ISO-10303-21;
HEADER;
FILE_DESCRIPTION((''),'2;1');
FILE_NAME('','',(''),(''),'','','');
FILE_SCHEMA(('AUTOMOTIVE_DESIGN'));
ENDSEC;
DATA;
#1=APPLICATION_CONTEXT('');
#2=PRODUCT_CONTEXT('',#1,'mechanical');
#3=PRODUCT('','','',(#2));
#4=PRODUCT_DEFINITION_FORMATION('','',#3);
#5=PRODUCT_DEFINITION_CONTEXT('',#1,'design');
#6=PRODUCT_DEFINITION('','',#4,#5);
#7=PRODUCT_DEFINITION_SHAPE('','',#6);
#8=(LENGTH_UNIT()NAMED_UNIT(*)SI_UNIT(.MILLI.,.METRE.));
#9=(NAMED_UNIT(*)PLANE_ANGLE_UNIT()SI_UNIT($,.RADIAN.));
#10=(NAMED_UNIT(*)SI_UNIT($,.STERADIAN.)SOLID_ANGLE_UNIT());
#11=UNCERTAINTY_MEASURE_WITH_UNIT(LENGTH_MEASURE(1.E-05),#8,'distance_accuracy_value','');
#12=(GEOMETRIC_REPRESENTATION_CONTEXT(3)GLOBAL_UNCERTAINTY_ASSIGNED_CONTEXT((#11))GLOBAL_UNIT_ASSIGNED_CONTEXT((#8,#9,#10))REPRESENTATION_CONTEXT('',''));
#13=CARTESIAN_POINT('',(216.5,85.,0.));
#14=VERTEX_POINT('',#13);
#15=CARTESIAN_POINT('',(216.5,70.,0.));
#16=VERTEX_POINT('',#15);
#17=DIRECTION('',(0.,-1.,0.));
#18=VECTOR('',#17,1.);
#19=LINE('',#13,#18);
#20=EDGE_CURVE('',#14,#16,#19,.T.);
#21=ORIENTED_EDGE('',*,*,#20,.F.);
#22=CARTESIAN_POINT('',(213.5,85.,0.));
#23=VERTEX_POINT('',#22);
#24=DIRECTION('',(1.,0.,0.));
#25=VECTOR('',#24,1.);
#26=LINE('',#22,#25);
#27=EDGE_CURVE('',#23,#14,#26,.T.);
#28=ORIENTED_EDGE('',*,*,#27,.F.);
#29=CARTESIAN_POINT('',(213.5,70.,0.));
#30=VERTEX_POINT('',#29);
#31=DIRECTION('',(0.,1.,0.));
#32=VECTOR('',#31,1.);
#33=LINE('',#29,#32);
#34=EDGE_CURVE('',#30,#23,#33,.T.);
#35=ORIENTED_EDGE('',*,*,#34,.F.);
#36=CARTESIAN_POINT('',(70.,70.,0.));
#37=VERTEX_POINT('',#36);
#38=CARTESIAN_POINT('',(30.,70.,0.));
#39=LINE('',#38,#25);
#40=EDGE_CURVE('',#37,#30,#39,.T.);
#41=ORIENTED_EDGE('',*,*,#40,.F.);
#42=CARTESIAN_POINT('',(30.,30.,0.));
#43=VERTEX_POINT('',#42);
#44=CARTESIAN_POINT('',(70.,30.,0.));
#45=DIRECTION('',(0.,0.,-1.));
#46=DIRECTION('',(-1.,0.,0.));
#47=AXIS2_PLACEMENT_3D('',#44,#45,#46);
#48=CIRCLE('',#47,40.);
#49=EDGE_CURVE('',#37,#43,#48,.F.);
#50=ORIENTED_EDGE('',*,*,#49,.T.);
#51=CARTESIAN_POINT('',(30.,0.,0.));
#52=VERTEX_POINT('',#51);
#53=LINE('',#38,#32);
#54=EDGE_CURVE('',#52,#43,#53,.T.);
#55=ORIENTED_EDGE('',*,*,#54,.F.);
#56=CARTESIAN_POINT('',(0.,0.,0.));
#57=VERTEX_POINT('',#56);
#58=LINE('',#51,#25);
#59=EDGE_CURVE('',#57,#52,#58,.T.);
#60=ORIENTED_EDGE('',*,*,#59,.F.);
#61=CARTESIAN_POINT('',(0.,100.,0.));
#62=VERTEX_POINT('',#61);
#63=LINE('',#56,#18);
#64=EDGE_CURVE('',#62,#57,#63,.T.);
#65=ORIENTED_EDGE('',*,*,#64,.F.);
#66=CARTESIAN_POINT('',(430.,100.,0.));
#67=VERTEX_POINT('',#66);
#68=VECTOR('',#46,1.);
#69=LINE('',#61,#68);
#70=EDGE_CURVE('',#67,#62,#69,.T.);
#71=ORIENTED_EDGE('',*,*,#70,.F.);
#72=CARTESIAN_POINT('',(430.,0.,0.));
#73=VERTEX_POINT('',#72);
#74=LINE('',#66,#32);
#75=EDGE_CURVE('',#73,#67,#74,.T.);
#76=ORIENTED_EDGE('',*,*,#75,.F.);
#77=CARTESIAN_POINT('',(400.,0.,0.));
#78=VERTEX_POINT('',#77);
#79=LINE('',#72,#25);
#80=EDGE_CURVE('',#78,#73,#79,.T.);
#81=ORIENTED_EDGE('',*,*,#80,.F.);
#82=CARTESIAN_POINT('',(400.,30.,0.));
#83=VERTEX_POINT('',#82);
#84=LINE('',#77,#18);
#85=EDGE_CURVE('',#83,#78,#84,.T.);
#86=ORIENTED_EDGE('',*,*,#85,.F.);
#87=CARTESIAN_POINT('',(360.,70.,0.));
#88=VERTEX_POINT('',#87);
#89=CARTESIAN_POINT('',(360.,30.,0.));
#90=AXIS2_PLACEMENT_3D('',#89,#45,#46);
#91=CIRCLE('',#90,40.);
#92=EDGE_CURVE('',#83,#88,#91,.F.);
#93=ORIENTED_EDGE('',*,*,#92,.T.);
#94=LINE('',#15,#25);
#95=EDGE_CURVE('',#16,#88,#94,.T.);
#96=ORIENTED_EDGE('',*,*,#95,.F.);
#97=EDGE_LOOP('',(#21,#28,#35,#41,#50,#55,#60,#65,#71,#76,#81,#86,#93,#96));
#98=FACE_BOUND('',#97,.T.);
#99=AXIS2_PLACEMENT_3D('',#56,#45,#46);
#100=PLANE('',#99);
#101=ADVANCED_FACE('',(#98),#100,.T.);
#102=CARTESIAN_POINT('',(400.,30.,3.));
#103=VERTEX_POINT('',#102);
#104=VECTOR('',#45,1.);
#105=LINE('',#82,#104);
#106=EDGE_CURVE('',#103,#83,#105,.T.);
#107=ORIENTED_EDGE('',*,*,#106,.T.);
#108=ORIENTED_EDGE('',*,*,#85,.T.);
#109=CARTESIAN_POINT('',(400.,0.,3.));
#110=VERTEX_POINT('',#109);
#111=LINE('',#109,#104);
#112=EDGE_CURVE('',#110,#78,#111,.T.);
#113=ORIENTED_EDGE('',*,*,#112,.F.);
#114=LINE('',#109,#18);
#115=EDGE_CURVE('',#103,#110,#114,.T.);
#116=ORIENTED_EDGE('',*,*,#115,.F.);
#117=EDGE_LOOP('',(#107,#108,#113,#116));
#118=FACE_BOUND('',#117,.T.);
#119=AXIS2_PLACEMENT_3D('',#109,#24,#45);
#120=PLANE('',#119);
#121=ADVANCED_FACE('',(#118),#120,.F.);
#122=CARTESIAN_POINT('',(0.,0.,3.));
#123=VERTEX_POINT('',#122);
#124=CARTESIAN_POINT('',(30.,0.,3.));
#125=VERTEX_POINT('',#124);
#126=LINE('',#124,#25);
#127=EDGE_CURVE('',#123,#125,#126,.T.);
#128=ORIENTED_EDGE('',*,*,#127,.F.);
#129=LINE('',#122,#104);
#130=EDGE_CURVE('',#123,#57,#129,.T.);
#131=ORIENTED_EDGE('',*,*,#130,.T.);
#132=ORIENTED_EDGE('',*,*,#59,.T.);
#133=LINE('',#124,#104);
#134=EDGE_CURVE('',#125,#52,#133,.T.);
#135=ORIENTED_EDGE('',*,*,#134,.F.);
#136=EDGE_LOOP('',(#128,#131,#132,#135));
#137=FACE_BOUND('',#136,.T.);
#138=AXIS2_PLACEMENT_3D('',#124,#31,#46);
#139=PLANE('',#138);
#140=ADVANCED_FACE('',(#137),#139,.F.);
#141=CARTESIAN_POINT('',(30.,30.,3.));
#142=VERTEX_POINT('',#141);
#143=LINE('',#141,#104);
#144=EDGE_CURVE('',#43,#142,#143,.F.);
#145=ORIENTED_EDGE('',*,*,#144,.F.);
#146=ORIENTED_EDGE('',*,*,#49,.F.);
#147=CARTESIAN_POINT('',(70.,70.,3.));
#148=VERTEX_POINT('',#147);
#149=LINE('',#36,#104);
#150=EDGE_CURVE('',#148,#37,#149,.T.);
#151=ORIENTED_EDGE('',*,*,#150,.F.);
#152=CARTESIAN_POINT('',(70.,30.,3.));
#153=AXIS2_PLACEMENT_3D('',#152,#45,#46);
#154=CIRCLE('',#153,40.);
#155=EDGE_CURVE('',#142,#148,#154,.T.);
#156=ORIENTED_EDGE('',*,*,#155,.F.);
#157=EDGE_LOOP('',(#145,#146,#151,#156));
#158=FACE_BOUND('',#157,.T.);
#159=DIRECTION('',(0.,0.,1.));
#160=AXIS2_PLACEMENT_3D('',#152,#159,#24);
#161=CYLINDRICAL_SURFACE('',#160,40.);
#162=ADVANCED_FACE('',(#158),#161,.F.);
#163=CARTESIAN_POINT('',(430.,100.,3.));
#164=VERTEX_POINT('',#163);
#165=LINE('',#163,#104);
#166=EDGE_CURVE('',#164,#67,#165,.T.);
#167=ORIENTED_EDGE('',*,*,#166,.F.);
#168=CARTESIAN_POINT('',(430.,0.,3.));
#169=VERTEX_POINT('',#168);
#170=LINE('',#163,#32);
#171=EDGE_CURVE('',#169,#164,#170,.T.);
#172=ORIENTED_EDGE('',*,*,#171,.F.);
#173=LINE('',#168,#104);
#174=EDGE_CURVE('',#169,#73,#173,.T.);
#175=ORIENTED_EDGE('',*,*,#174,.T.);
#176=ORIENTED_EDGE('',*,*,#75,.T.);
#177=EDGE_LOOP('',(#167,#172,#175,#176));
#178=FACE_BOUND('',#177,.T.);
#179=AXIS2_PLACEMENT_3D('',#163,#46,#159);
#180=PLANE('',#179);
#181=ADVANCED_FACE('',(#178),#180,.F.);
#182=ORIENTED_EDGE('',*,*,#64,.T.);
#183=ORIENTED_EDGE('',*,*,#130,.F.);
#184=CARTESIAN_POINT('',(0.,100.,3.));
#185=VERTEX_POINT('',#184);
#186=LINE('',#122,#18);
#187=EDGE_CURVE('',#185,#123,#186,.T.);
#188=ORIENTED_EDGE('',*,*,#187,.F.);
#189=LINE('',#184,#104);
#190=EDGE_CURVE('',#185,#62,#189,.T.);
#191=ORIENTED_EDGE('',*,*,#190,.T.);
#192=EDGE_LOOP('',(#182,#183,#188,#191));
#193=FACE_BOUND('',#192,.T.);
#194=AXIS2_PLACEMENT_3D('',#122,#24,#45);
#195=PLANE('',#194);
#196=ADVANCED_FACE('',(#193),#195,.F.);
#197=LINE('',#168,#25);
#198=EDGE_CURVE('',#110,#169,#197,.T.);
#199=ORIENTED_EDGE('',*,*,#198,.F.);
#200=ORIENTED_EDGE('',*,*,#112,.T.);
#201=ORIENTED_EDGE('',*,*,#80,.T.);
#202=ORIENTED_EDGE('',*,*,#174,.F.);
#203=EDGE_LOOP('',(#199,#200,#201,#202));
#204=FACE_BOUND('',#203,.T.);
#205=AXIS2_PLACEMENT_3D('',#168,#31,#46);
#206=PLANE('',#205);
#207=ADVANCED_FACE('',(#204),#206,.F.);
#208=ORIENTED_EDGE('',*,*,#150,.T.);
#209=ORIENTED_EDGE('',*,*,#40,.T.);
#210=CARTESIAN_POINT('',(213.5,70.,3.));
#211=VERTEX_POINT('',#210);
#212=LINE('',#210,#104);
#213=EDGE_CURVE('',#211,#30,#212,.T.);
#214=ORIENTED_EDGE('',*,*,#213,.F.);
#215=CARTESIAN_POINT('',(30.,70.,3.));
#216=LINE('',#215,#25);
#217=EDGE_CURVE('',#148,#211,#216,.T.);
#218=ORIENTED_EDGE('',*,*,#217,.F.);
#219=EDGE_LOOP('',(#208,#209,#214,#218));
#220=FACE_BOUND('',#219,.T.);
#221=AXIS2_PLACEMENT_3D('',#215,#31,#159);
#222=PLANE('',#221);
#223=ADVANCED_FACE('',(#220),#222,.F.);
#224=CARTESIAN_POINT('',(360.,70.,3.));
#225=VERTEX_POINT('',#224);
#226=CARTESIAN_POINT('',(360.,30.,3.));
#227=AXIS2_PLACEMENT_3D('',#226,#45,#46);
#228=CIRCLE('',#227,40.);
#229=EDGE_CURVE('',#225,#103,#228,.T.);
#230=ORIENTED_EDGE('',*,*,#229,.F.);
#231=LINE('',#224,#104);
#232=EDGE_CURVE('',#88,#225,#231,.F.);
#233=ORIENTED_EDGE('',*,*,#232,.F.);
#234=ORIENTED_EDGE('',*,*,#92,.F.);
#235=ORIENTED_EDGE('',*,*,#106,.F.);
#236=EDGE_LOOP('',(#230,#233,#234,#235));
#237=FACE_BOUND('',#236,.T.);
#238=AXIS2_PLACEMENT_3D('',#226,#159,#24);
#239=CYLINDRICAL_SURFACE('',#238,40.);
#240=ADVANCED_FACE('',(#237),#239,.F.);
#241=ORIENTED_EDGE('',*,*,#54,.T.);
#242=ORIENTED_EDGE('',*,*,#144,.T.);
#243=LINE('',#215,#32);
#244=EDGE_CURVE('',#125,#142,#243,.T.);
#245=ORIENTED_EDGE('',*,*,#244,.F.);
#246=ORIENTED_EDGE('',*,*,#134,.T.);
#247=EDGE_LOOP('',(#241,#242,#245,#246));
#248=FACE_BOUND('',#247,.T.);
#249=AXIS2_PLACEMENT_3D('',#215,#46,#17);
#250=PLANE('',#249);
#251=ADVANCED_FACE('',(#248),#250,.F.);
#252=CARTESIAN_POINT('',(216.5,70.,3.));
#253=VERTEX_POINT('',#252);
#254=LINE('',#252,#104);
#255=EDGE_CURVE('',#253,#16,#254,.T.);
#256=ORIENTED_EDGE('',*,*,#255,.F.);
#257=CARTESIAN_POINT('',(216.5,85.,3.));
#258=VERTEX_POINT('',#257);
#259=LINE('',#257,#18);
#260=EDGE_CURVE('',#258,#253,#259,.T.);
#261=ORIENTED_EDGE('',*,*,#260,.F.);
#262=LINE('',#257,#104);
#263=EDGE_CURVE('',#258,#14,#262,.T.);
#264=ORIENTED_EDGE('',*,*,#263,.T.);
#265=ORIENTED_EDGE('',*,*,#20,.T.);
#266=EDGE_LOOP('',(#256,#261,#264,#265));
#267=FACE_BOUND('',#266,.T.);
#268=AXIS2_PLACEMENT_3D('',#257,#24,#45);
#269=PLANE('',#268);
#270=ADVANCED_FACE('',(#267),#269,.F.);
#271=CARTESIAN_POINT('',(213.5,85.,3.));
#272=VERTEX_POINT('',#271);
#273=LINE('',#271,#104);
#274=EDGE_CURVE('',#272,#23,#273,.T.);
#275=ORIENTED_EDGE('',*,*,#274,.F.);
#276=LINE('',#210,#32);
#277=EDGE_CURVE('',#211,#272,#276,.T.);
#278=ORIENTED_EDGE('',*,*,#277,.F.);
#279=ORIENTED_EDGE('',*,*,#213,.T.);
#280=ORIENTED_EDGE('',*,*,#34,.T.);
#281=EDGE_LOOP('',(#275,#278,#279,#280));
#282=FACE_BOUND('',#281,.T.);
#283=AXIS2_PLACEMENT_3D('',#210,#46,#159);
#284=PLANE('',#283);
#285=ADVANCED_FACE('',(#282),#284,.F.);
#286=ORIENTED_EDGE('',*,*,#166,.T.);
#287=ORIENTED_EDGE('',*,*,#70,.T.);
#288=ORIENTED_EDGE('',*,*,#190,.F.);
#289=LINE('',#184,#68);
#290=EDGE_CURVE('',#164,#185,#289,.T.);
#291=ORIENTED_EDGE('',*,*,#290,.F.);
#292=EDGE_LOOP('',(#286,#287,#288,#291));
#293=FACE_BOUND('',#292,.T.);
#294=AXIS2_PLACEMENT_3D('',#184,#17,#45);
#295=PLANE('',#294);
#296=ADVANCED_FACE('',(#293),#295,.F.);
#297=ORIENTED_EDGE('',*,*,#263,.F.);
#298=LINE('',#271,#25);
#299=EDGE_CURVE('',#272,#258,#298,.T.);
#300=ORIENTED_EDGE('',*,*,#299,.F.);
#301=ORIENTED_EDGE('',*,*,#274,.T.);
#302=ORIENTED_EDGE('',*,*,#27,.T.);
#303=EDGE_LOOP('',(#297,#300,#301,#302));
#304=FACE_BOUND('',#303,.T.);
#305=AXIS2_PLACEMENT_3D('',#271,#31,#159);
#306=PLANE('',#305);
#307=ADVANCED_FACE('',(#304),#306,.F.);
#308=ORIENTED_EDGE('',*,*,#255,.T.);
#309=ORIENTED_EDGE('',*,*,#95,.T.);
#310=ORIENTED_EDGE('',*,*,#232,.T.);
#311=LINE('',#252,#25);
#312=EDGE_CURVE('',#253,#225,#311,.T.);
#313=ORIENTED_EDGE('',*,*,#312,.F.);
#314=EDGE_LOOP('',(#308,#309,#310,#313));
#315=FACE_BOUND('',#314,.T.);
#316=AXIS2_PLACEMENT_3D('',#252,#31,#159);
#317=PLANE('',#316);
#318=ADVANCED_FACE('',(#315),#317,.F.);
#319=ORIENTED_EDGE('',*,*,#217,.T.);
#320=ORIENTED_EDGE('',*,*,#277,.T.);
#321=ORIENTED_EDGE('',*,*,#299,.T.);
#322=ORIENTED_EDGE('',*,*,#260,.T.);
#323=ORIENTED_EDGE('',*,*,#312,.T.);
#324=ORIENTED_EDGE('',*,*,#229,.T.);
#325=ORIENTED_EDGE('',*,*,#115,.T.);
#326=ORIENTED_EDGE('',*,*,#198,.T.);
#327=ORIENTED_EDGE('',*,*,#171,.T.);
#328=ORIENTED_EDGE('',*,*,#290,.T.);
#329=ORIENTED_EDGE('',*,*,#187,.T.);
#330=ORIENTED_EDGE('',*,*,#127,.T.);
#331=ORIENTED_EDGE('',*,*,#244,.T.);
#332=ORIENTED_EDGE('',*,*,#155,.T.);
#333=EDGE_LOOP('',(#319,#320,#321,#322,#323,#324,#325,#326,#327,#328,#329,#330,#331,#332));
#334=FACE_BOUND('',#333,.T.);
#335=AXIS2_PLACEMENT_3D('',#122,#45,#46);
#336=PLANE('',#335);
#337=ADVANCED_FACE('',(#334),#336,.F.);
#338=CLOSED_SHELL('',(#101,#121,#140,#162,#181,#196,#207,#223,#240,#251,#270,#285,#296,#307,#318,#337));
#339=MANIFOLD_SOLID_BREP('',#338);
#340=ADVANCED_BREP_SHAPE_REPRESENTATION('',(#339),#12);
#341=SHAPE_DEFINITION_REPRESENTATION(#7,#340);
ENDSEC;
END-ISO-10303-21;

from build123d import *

# Parameters (mm, degrees)
BOSS_EXTRUDE1_DEPTH = 3
FILLET1_R           = 40


with BuildPart() as part:
    # Sketch1 → Boss-Extrude1 (new body)
    with BuildSketch(Plane.XY):
        Polygon((0, 0), (0, 100), (430, 100), (430, 0), (400, 0), (400, 70), (216.5, 70), (216.5, 85), (213.5, 85), (213.5, 70), (30, 70), (30, 0), align=None)
    extrude(amount=BOSS_EXTRUDE1_DEPTH)

    # Fillet1
    fillet1_edges = [part.edges().sort_by_distance(p)[0] for p in [
        (400, 70, 1.5),
        (30, 70, 1.5),
    ]]
    fillet(fillet1_edges, radius=FILLET1_R)


solid = part.part
